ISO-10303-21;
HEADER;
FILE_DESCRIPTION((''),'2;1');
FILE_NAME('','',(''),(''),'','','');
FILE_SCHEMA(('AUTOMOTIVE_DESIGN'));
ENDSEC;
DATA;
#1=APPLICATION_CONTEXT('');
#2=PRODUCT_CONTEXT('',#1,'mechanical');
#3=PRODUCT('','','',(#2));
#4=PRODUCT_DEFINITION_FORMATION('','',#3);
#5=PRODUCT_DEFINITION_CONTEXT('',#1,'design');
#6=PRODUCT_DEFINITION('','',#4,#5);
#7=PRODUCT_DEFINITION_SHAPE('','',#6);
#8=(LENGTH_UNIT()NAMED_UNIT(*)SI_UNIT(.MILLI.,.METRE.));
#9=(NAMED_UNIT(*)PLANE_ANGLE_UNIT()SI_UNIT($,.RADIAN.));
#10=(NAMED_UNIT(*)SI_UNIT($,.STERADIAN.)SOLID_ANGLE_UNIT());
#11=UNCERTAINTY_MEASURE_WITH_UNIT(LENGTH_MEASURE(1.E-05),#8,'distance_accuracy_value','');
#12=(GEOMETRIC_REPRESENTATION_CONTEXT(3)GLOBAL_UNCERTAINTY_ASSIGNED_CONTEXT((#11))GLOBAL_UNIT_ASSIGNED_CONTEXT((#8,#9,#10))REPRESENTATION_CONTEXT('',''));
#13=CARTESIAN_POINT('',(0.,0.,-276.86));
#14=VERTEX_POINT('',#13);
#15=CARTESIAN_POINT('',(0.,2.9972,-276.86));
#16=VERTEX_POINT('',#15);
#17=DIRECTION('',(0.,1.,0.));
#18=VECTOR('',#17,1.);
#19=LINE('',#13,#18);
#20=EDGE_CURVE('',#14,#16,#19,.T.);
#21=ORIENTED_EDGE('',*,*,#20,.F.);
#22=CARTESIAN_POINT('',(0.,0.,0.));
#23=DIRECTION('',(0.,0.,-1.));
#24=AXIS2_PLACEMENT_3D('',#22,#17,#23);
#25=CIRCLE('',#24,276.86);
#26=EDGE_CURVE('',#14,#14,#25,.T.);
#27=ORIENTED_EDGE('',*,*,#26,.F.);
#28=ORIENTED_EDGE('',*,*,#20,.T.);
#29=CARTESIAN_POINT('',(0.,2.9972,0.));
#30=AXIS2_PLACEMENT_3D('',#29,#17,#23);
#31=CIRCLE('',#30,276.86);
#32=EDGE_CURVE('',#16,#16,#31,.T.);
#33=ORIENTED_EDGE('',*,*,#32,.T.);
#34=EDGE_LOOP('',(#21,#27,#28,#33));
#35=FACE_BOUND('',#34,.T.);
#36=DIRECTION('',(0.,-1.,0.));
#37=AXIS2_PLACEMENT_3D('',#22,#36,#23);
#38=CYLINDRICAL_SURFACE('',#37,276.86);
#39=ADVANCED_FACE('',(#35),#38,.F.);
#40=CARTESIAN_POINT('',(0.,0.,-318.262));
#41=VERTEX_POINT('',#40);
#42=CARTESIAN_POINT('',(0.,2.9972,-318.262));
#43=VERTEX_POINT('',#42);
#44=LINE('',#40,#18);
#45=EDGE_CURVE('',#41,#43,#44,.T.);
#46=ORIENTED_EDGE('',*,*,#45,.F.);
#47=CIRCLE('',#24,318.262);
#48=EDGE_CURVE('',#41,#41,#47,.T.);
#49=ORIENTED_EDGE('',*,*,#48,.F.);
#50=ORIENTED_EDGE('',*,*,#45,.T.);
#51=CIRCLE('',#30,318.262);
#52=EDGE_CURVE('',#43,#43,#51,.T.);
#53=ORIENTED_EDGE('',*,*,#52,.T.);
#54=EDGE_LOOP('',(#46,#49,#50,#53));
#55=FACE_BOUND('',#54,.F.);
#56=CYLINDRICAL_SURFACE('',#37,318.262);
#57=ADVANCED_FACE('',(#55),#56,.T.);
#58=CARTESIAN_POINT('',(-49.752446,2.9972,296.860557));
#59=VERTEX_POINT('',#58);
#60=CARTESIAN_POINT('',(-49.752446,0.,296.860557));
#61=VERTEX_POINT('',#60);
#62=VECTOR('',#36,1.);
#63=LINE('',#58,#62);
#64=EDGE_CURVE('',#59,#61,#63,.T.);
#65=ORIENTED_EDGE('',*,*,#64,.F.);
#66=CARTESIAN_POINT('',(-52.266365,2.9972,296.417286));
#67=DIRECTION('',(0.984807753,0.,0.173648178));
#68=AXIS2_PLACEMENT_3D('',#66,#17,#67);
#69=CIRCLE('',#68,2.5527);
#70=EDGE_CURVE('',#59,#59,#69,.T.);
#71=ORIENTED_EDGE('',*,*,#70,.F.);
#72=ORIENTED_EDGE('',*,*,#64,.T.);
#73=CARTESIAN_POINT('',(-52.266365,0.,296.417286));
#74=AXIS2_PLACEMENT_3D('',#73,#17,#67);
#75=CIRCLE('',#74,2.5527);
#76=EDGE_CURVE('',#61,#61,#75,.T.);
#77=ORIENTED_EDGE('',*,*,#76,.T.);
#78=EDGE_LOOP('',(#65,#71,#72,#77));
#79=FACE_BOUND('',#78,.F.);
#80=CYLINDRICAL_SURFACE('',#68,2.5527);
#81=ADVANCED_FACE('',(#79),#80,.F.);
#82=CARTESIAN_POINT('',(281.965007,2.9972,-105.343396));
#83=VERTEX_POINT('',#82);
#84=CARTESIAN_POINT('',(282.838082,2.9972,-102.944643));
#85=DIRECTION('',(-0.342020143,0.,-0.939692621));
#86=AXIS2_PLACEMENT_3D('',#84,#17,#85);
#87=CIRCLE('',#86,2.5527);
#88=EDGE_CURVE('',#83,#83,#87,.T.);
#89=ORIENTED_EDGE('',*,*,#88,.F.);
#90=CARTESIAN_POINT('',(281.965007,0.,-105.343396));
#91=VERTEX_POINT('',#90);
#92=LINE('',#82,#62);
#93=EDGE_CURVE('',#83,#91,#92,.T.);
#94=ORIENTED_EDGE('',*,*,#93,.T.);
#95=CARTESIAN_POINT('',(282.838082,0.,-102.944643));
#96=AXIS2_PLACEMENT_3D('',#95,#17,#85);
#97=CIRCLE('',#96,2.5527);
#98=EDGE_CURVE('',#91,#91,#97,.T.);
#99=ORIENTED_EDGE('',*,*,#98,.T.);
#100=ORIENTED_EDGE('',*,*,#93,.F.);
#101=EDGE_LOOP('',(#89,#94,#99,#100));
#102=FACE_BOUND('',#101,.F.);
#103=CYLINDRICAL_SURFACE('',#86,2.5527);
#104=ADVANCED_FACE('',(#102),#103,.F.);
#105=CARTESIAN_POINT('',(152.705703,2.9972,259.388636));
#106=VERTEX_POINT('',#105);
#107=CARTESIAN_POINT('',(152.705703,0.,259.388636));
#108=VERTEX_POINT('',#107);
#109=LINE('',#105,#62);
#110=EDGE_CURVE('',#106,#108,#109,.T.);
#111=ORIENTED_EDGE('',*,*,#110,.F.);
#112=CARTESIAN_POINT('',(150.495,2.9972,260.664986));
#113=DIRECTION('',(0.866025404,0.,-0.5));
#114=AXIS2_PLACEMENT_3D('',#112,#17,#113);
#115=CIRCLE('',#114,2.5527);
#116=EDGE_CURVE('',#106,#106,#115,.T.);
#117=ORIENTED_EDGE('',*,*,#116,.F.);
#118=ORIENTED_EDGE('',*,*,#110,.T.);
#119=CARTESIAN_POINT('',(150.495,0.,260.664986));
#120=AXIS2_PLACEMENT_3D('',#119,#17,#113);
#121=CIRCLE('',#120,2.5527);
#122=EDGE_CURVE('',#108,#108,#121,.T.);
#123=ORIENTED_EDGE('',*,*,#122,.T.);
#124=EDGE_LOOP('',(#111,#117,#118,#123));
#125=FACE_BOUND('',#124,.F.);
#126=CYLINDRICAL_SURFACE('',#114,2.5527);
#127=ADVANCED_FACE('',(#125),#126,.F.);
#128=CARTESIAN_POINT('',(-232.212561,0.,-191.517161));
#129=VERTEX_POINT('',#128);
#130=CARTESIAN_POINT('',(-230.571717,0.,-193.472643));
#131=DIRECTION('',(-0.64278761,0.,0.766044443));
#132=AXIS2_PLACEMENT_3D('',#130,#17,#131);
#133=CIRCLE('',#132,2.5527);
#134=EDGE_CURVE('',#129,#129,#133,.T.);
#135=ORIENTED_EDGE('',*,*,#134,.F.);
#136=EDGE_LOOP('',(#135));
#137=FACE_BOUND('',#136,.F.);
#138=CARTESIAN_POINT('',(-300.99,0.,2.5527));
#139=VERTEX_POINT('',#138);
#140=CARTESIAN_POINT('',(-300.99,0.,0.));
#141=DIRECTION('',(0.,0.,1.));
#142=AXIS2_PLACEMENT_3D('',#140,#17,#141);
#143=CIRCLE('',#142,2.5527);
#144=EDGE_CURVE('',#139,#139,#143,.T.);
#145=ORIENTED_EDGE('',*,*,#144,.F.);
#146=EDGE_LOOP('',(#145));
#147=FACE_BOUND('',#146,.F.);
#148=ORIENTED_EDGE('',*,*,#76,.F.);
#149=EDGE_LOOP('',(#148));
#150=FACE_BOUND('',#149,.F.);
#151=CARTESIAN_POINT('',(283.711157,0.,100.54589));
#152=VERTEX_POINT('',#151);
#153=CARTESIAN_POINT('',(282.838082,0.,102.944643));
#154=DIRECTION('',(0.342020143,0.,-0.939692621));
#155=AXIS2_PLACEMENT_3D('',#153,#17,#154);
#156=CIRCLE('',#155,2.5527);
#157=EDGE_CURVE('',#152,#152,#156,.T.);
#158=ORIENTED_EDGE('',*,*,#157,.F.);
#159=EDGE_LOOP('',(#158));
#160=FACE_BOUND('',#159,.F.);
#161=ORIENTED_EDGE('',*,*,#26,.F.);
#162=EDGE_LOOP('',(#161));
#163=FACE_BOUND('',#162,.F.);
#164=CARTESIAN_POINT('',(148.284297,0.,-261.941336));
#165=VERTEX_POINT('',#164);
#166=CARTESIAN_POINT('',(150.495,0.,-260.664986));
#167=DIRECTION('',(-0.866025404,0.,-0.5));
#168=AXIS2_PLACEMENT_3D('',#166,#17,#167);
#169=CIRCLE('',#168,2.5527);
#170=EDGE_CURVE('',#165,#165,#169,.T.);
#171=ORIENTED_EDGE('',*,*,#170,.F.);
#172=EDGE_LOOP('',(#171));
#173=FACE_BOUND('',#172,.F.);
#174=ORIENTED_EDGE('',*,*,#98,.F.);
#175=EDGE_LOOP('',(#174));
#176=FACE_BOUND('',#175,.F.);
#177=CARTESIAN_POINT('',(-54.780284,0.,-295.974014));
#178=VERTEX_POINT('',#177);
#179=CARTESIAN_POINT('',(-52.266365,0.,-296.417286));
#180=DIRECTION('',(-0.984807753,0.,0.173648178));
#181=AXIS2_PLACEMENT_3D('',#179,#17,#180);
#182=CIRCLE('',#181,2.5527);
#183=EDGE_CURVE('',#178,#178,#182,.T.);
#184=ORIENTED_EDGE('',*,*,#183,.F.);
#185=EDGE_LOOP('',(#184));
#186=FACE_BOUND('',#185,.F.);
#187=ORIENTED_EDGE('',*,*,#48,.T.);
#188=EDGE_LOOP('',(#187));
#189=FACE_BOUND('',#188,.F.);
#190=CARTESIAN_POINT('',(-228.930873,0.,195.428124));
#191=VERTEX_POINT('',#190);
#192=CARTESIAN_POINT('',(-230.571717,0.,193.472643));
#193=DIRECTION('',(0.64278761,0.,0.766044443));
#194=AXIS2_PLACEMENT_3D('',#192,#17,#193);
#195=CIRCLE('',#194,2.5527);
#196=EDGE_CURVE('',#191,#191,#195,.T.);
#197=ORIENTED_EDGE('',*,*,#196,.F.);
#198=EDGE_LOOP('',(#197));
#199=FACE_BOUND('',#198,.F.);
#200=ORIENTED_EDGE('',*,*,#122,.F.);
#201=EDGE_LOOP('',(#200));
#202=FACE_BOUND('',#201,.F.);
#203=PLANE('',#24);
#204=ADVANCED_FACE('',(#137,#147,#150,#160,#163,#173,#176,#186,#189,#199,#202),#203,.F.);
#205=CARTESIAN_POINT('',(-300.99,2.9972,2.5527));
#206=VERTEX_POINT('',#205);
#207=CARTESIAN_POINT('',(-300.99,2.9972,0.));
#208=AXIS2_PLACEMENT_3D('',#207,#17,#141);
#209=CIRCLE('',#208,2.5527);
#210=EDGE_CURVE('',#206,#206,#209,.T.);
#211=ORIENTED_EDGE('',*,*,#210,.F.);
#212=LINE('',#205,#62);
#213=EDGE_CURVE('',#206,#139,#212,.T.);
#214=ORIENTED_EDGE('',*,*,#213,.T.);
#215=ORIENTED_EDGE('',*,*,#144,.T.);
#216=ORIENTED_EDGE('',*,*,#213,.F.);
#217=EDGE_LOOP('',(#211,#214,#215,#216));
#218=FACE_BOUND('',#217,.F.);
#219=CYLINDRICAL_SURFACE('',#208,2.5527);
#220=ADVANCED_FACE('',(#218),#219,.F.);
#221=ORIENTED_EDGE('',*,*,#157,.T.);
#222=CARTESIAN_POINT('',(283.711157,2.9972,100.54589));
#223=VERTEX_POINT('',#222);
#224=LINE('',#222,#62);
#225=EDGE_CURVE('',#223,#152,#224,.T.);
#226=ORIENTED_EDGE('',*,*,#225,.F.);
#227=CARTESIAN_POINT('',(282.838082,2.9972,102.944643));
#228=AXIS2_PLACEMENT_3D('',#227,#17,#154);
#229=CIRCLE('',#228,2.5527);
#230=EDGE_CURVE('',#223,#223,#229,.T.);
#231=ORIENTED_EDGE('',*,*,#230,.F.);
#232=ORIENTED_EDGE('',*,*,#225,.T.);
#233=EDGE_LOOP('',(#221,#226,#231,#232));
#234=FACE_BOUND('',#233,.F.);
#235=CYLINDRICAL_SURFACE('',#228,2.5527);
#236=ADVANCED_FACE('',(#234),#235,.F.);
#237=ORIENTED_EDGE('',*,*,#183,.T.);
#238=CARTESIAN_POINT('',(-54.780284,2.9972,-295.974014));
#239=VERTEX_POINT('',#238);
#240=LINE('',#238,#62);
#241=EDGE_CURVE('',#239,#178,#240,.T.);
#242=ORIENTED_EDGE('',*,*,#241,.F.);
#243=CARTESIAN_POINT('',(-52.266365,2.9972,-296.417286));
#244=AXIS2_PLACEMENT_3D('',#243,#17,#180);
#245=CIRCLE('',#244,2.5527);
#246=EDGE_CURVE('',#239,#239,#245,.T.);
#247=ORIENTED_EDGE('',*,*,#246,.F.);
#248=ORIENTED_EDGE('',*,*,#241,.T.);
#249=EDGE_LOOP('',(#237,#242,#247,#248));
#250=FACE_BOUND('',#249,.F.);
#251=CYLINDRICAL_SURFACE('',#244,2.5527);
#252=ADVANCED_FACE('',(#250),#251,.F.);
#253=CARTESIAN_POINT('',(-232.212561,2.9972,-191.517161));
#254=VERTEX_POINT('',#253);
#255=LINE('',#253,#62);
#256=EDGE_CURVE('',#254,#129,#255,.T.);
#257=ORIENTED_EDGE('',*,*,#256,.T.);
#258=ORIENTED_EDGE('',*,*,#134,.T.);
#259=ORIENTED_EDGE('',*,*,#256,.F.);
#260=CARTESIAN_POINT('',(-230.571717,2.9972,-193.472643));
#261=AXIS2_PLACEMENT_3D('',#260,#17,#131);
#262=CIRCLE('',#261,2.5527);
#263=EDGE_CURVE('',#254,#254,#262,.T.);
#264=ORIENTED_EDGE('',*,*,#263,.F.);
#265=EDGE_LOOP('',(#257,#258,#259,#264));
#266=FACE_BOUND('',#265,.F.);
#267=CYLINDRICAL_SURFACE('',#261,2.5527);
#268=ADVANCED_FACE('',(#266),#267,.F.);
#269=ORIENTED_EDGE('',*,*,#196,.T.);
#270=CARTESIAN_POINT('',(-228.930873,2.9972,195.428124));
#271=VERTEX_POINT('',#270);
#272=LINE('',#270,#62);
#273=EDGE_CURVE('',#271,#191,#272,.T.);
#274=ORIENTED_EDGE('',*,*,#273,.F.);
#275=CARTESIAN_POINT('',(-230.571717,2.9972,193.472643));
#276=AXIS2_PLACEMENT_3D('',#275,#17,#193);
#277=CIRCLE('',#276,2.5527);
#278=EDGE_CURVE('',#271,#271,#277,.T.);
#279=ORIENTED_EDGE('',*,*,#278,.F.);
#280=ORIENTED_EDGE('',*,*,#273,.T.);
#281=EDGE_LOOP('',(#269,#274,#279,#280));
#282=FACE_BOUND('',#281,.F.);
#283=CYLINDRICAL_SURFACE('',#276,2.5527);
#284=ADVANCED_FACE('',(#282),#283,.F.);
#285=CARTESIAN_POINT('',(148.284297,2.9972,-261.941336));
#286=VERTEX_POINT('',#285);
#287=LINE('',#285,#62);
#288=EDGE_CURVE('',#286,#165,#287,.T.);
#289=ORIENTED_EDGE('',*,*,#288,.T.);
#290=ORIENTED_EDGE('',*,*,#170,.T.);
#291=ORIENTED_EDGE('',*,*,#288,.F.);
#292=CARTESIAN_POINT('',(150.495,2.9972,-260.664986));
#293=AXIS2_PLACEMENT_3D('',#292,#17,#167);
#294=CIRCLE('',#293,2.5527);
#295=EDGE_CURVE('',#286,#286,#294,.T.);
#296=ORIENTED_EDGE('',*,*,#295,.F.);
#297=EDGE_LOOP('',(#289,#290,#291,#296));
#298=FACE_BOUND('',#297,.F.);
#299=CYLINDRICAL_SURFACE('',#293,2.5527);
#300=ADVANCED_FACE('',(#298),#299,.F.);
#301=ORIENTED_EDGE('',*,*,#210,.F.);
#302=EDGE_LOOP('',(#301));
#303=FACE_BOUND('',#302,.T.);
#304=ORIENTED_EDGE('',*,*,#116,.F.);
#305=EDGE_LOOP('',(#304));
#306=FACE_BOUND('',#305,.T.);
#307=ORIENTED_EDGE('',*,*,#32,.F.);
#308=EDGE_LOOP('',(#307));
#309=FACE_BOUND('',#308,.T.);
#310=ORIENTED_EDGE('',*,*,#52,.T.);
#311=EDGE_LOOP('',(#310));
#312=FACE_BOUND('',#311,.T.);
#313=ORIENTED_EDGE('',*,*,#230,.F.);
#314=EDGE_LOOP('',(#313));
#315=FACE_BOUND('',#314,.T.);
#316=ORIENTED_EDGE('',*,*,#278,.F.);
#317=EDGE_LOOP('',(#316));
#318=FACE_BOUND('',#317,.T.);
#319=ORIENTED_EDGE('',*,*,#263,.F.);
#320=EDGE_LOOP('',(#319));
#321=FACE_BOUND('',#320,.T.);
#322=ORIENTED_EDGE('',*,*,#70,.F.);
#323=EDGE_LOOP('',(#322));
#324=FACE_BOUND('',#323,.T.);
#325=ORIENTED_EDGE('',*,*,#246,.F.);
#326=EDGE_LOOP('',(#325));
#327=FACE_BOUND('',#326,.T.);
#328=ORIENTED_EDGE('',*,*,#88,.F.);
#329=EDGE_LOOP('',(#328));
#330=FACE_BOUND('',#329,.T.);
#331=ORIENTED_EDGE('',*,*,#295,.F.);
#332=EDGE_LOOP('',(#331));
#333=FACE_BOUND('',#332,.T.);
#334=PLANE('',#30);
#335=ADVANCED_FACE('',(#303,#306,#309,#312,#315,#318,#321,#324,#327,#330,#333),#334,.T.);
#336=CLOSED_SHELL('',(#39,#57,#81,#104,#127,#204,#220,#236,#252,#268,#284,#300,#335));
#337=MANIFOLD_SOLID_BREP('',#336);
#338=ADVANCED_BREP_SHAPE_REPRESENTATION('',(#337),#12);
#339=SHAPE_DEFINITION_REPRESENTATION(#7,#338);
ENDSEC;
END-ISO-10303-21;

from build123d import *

# Parameters (mm, degrees)
SKETCH1_R           = 318.262
SKETCH1_R_2         = 276.86
BOSS_EXTRUDE1_DEPTH = 2.9972
SKETCH2_R           = 2.5527
CUT_EXTRUDE1_DEPTH  = 451.100416014
CIRPATTERN1_COUNT   = 9


with BuildPart() as part:
    # Sketch1 → Boss-Extrude1 (new body)
    with BuildSketch(Plane(origin=(0, 0, 0), x_dir=(1, 0, 0), z_dir=(0, 1, 0))):
        Circle(SKETCH1_R)
        Circle(SKETCH1_R_2, mode=Mode.SUBTRACT)
    extrude(amount=BOSS_EXTRUDE1_DEPTH)

    # Sketch2 → Cut-Extrude1 (cut, through all)
    with BuildSketch(Plane(origin=(0, 2.9972, 0), x_dir=(1, 0, 0), z_dir=(0, 1, 0))):
        with Locations((-300.99, 0)):
            Circle(SKETCH2_R)
    cut_extrude1 = extrude(amount=-CUT_EXTRUDE1_DEPTH, mode=Mode.SUBTRACT)

    # CirPattern1: Cut-Extrude1 ×9 about axis
    cirpattern1_axis = Axis((0, 3.33375, 0), (0, -1, 0))
    for i in range(1, CIRPATTERN1_COUNT):
        add(cut_extrude1.rotate(cirpattern1_axis, i * 360 / CIRPATTERN1_COUNT), mode=Mode.SUBTRACT)


solid = part.part
